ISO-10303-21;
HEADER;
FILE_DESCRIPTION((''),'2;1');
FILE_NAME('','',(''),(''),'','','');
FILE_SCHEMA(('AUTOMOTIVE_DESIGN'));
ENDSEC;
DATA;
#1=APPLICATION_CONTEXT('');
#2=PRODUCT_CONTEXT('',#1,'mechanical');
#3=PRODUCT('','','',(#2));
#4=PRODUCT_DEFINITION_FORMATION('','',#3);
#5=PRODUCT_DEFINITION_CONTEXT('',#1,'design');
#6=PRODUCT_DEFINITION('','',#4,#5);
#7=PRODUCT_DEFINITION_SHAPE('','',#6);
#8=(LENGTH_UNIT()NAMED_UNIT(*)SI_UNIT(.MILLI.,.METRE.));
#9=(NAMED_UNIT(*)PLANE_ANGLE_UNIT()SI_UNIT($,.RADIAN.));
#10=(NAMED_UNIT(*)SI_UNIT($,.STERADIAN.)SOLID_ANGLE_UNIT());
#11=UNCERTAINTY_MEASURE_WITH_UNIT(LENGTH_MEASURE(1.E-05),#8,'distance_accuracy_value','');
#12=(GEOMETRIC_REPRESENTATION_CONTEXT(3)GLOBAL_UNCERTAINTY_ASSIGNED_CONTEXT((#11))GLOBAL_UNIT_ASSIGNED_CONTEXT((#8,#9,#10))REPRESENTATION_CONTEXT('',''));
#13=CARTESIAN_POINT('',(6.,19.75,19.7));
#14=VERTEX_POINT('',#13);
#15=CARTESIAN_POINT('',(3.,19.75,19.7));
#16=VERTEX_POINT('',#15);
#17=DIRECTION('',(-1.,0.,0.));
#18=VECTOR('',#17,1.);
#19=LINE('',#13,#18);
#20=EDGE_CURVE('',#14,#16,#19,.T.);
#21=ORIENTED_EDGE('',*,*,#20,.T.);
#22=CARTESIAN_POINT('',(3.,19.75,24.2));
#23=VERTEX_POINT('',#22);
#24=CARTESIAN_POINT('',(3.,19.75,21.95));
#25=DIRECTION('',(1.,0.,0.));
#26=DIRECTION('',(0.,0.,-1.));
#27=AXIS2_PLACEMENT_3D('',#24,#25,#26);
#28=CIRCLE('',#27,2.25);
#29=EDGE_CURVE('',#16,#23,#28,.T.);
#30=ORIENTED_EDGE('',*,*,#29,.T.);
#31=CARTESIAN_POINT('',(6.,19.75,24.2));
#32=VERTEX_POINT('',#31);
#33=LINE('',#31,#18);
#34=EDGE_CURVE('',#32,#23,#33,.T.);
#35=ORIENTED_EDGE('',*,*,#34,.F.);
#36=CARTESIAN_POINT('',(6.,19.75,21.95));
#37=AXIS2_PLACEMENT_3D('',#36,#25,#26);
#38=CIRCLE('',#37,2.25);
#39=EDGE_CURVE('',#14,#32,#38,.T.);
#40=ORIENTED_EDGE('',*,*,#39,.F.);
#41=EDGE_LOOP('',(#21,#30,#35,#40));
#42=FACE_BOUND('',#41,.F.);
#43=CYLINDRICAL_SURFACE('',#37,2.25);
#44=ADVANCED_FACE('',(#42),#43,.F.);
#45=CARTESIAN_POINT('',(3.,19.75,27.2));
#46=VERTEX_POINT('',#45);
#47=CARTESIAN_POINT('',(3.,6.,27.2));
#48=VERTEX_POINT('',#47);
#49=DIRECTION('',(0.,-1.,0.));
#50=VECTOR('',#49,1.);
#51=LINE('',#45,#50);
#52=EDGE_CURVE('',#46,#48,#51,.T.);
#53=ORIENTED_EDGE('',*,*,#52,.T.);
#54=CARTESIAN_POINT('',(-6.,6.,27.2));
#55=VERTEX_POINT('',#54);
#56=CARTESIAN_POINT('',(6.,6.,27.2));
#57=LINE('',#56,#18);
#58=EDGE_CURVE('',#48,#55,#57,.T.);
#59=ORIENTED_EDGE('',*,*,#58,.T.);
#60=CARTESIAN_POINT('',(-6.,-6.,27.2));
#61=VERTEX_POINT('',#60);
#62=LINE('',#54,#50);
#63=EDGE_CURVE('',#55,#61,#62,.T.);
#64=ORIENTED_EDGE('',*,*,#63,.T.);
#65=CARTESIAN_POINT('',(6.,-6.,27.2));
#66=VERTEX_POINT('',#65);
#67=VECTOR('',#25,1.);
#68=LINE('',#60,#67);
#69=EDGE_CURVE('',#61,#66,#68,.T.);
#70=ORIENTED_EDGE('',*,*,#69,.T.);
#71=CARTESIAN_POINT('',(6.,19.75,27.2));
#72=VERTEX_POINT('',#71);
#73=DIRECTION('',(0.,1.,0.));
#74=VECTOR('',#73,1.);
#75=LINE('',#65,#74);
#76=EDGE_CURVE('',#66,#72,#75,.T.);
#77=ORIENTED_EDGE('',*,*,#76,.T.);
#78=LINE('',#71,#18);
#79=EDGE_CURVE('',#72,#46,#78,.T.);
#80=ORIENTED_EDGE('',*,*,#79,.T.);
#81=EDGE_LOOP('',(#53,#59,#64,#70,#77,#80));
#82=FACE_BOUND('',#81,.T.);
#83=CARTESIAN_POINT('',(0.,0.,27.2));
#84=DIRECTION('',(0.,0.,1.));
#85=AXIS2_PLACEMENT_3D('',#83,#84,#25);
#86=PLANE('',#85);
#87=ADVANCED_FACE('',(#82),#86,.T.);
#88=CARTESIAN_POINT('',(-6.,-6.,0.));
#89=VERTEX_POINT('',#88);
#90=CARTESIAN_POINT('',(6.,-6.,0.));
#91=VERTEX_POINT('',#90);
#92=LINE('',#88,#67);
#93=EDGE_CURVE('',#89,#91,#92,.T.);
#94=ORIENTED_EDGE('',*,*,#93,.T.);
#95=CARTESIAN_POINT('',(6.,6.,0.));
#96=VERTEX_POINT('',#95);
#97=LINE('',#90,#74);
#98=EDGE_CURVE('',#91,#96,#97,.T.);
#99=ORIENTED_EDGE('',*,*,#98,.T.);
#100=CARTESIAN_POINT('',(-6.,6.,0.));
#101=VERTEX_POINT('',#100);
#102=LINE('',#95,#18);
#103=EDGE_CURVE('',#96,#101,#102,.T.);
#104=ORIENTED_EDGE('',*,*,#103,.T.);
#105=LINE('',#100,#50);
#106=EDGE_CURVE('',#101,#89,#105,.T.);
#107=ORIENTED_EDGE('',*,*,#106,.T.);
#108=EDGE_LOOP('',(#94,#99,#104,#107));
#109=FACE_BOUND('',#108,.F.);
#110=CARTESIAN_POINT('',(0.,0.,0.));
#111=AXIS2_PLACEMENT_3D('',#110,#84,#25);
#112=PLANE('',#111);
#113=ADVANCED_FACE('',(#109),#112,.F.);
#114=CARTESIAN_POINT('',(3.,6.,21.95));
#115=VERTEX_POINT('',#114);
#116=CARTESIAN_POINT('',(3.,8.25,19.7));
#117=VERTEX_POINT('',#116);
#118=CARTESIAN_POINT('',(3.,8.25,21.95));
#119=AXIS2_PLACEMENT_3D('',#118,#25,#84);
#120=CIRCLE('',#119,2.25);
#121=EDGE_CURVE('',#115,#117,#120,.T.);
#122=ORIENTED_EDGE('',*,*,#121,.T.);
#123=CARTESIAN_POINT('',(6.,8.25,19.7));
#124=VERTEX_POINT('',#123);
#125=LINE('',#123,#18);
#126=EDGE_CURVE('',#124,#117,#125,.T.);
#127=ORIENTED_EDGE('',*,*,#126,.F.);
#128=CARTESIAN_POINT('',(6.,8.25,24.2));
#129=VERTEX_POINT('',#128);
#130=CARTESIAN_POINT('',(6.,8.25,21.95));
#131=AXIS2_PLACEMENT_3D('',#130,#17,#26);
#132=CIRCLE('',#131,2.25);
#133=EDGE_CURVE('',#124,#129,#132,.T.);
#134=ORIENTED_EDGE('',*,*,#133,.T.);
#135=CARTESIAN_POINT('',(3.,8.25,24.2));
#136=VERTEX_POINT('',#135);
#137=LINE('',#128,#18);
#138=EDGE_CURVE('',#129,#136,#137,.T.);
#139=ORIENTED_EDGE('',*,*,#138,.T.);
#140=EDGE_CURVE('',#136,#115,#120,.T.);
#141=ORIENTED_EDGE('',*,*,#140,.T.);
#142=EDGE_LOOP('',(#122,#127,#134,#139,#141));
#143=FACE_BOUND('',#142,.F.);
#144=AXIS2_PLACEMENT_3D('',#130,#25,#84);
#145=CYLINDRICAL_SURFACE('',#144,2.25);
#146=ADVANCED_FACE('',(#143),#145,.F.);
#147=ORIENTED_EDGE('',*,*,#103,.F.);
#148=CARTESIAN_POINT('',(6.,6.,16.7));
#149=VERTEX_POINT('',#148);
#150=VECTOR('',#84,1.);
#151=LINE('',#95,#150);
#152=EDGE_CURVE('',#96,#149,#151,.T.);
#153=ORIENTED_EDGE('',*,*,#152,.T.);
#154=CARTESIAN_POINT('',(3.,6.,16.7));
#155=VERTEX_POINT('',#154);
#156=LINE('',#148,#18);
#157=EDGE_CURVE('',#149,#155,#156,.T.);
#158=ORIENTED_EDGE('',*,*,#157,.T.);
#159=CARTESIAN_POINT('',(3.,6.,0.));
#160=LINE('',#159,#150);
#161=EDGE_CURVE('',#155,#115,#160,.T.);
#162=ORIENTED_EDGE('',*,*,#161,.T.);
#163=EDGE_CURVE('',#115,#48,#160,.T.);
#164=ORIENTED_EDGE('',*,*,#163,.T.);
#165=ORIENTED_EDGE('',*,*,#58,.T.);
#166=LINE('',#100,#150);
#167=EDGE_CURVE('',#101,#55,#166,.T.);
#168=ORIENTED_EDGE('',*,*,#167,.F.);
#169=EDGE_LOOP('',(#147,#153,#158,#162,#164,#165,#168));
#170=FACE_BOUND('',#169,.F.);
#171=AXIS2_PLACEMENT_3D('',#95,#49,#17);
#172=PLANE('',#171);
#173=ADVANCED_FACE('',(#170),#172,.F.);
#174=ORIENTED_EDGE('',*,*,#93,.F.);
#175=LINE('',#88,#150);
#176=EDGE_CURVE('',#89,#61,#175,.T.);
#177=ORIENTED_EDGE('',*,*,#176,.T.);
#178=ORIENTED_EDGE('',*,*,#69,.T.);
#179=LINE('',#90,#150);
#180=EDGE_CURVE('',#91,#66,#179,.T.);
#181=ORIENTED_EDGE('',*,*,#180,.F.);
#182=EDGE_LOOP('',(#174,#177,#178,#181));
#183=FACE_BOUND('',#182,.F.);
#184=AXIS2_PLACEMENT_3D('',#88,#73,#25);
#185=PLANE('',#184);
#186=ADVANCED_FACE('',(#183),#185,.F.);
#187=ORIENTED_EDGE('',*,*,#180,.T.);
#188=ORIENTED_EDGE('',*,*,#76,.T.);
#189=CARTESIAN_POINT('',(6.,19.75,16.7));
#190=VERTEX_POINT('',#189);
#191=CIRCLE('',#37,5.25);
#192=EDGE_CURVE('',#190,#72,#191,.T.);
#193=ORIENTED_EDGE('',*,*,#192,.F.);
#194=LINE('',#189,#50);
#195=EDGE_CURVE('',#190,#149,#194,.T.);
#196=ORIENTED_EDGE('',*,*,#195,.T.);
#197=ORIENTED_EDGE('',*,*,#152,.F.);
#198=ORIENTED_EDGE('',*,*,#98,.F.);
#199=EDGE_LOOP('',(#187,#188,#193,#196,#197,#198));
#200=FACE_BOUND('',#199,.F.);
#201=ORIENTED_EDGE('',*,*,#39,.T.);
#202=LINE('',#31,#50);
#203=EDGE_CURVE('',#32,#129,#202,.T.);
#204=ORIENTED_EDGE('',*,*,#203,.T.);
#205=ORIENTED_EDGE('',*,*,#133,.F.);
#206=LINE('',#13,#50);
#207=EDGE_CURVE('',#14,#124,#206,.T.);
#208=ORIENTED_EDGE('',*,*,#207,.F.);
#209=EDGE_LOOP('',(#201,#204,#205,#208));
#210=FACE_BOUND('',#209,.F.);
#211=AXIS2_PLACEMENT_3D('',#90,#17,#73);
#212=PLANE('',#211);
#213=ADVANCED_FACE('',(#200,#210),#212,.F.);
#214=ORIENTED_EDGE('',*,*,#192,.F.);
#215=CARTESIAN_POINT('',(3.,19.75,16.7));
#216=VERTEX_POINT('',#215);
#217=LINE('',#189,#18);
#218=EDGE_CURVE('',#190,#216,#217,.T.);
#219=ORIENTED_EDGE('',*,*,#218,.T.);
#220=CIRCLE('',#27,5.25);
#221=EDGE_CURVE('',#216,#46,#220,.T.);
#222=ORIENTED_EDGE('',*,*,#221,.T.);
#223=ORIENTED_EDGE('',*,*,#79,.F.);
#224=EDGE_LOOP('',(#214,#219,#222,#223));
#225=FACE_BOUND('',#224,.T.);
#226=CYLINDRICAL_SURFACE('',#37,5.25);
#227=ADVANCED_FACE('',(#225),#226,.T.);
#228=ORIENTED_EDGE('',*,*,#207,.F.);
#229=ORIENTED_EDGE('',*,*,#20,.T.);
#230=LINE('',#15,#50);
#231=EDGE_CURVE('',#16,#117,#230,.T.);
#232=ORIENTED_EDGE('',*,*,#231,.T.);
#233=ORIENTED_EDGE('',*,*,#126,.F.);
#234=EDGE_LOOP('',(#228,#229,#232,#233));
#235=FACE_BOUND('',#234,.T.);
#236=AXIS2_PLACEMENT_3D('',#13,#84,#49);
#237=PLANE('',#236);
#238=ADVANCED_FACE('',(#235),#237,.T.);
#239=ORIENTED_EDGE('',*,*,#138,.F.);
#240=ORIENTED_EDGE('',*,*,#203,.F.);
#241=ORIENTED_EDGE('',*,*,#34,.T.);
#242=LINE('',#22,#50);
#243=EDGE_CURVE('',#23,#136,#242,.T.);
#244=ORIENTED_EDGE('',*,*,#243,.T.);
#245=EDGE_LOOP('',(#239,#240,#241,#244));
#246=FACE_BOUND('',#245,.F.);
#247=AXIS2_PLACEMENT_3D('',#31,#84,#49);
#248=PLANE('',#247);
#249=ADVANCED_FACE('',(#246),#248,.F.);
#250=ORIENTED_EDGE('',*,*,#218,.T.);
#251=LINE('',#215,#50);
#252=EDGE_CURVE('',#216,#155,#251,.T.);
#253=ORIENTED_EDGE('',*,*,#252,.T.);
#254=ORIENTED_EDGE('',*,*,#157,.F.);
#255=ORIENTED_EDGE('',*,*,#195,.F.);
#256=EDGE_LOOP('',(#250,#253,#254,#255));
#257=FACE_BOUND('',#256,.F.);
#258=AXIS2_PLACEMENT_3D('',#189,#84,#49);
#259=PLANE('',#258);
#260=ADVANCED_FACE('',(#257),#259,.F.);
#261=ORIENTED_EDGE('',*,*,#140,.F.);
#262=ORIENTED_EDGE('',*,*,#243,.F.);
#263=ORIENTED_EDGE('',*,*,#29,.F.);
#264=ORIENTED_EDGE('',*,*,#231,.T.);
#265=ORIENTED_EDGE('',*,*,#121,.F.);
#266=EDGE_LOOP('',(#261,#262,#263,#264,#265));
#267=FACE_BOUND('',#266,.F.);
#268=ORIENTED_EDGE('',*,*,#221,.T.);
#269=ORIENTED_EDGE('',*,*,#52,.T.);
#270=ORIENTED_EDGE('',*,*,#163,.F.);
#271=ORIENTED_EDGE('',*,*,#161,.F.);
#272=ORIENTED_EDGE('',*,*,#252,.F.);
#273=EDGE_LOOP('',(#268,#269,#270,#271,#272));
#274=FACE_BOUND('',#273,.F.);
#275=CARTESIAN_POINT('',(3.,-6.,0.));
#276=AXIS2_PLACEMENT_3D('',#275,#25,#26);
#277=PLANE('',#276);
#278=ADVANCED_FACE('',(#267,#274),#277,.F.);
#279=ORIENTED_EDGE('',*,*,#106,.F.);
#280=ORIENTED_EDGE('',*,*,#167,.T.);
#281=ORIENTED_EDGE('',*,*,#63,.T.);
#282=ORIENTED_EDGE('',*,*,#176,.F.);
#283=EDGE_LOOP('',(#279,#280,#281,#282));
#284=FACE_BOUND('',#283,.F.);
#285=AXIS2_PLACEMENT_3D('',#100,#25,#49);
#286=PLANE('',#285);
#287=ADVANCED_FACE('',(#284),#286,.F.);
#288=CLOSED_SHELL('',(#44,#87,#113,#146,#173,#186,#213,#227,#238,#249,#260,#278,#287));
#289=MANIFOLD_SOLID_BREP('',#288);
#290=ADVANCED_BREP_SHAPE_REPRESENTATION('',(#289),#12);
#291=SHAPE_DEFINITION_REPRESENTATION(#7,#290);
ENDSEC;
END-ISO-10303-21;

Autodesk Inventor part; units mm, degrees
ref_plane "YZ Plane" through (0, 0, 0) normal (1, 0, 0) x (0, 1, 0)
ref_plane "XZ Plane" through (0, 0, 0) normal (0, 1, 0) x (-1, 0, 0)
ref_plane "XY Plane" through (0, 0, 0) normal (0, 0, 1) x (1, 0, 0)
sketch "Sketch1" plane through (0, 0, 0) normal (0, 0, 1) x (1, 0, 0)
  line L0 (-6, -6) -> (6, -6)
  line L1 (6, -6) -> (6, 6)
  line L2 (6, 6) -> (-6, 6)
  line L3 (-6, 6) -> (-6, -6)
  line L4 (-6, -6) -> (6, 6) construction
  line L5 (6, -6) -> (-6, 6) construction
  point P0 (0, 0)
  dimension "d0" = 12
  dimension "d1" = 12
extrude "Extrusion1" add sketch "Sketch1" along normal blind 27.2
sketch "Sketch2" plane through (6, -6, 0) normal (1, 0, 0) x (0, 0, -1)
  arc A0 (-24.2, 14.25) -> (-19.7, 14.25) centre (-21.95, 14.25) ccw
  line L0 (-27.2, 0) -> (-27.2, 12) projected
  line L1 (0, 12) -> (-27.2, 12) projected
  line L2 (-21.95, 14.25) -> (-21.95, 25.75) construction
  arc A1 (-19.7, 25.75) -> (-24.2, 25.75) centre (-21.95, 25.75) ccw
  line L3 (-24.2, 25.75) -> (-24.2, 14.25)
  line L4 (-19.7, 25.75) -> (-19.7, 14.25)
  arc A2 (-16.7, 25.75) -> (-27.2, 25.75) centre (-21.95, 25.75) ccw
  line L5 (-16.7, 25.75) -> (-16.7, 12)
  line L6 (-27.2, 25.75) -> (-27.2, 12)
  line L7 (-27.2, 12) -> (-27.2, 12)
  point P0 (0, 6)
  dimension "d4" = 4.5
  dimension "d5" = 5.25
  dimension "d6" = 2.25
  dimension "d7" = 11.5
  dimension "d8" = 4.5
  dimension "d9" = 10.5
  dimension "d10" = 13.75
extrude "Extrusion2" add sketch "Sketch2" against normal blind 3
properties part number "17 slot tegen pin"
